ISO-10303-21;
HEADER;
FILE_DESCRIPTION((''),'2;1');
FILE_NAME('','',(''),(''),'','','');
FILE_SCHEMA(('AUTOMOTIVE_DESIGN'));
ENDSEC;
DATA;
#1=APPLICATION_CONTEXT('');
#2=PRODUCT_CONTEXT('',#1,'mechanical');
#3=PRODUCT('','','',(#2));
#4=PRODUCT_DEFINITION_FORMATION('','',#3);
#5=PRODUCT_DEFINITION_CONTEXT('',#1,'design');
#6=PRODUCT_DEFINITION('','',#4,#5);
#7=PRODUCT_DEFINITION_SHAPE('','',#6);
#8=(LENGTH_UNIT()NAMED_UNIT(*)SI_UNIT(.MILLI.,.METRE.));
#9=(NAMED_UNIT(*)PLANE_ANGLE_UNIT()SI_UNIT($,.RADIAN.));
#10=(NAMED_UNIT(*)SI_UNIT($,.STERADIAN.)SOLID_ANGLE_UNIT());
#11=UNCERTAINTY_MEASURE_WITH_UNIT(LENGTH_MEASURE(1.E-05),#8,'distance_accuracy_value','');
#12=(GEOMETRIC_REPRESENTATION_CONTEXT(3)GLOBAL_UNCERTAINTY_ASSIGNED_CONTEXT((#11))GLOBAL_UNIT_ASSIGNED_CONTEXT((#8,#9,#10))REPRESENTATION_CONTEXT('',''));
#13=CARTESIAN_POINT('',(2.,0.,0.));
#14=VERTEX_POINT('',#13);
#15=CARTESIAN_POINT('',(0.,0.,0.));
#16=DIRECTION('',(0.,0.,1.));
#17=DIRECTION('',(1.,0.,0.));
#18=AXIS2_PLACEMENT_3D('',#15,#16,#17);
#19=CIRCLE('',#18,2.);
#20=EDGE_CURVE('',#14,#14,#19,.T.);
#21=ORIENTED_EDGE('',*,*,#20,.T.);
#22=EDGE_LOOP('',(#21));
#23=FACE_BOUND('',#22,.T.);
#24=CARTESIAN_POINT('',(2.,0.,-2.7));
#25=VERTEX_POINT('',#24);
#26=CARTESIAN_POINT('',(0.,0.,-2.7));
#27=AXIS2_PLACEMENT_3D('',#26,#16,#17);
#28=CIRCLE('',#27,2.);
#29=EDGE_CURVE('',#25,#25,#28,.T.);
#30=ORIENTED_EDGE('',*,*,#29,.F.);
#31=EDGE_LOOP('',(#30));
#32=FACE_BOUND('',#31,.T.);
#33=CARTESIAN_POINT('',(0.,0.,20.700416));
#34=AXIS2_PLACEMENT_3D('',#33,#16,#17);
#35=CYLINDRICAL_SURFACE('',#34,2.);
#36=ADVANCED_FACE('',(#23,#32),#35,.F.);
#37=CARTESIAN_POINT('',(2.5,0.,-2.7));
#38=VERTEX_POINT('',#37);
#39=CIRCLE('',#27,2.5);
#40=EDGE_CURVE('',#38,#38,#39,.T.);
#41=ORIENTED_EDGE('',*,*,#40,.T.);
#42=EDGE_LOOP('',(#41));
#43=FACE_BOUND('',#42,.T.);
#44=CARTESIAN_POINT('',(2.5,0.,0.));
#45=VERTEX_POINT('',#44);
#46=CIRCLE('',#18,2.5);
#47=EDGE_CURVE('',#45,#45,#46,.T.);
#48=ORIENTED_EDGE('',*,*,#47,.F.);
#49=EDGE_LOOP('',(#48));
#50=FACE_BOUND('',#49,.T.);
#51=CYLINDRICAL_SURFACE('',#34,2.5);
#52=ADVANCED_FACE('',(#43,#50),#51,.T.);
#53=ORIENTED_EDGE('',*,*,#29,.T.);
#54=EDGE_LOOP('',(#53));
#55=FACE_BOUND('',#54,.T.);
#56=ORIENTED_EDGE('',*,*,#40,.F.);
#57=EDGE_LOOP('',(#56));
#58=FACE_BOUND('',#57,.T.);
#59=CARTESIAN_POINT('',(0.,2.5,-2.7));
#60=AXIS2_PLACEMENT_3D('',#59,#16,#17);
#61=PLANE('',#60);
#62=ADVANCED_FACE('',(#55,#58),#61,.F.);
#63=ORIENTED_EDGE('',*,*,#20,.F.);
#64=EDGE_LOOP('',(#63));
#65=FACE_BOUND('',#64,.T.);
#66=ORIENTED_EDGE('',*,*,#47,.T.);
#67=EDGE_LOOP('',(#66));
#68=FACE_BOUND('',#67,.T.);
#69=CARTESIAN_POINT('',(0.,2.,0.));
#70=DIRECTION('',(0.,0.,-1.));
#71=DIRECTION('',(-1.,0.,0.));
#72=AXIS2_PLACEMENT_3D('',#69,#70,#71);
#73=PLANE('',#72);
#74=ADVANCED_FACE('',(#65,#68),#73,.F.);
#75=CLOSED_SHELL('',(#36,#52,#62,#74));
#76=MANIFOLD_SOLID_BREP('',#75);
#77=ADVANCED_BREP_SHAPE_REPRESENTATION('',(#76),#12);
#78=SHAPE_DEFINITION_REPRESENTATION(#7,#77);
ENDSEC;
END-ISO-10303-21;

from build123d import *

# Parameters (mm, degrees)
SKIZZE1_R                       = 2
SCHNITT_LINEAR_AUSTRAGEN1_DEPTH = 5.062019202


with BuildPart() as part:
    # Sketch1 → Revolve1 (revolve)
    with BuildSketch(Plane(origin=(0, 0, 0), x_dir=(0, 0, -1), z_dir=(1, 0, 0)), mode=Mode.PRIVATE) as revolve1_sk:
        Polygon((0, 2.5), (2.7, 2.5), (2.7, 1.5), (4, 1.5), (4, 0.5), (2, 0.5), (2, 2), (0, 2), align=None)
    revolve(revolve1_sk.sketch.rotate(Axis((0, 0, 20.700415561), (0, 0, -1)), 90), axis=Axis((0, 0, 20.700415561), (0, 0, -1)))

    # Skizze1 → Schnitt-Linear austragen1 (cut, through all)
    with BuildSketch(Plane.XY.offset(-2)):
        Circle(SKIZZE1_R)
    extrude(amount=-SCHNITT_LINEAR_AUSTRAGEN1_DEPTH, mode=Mode.SUBTRACT)


solid = part.part
